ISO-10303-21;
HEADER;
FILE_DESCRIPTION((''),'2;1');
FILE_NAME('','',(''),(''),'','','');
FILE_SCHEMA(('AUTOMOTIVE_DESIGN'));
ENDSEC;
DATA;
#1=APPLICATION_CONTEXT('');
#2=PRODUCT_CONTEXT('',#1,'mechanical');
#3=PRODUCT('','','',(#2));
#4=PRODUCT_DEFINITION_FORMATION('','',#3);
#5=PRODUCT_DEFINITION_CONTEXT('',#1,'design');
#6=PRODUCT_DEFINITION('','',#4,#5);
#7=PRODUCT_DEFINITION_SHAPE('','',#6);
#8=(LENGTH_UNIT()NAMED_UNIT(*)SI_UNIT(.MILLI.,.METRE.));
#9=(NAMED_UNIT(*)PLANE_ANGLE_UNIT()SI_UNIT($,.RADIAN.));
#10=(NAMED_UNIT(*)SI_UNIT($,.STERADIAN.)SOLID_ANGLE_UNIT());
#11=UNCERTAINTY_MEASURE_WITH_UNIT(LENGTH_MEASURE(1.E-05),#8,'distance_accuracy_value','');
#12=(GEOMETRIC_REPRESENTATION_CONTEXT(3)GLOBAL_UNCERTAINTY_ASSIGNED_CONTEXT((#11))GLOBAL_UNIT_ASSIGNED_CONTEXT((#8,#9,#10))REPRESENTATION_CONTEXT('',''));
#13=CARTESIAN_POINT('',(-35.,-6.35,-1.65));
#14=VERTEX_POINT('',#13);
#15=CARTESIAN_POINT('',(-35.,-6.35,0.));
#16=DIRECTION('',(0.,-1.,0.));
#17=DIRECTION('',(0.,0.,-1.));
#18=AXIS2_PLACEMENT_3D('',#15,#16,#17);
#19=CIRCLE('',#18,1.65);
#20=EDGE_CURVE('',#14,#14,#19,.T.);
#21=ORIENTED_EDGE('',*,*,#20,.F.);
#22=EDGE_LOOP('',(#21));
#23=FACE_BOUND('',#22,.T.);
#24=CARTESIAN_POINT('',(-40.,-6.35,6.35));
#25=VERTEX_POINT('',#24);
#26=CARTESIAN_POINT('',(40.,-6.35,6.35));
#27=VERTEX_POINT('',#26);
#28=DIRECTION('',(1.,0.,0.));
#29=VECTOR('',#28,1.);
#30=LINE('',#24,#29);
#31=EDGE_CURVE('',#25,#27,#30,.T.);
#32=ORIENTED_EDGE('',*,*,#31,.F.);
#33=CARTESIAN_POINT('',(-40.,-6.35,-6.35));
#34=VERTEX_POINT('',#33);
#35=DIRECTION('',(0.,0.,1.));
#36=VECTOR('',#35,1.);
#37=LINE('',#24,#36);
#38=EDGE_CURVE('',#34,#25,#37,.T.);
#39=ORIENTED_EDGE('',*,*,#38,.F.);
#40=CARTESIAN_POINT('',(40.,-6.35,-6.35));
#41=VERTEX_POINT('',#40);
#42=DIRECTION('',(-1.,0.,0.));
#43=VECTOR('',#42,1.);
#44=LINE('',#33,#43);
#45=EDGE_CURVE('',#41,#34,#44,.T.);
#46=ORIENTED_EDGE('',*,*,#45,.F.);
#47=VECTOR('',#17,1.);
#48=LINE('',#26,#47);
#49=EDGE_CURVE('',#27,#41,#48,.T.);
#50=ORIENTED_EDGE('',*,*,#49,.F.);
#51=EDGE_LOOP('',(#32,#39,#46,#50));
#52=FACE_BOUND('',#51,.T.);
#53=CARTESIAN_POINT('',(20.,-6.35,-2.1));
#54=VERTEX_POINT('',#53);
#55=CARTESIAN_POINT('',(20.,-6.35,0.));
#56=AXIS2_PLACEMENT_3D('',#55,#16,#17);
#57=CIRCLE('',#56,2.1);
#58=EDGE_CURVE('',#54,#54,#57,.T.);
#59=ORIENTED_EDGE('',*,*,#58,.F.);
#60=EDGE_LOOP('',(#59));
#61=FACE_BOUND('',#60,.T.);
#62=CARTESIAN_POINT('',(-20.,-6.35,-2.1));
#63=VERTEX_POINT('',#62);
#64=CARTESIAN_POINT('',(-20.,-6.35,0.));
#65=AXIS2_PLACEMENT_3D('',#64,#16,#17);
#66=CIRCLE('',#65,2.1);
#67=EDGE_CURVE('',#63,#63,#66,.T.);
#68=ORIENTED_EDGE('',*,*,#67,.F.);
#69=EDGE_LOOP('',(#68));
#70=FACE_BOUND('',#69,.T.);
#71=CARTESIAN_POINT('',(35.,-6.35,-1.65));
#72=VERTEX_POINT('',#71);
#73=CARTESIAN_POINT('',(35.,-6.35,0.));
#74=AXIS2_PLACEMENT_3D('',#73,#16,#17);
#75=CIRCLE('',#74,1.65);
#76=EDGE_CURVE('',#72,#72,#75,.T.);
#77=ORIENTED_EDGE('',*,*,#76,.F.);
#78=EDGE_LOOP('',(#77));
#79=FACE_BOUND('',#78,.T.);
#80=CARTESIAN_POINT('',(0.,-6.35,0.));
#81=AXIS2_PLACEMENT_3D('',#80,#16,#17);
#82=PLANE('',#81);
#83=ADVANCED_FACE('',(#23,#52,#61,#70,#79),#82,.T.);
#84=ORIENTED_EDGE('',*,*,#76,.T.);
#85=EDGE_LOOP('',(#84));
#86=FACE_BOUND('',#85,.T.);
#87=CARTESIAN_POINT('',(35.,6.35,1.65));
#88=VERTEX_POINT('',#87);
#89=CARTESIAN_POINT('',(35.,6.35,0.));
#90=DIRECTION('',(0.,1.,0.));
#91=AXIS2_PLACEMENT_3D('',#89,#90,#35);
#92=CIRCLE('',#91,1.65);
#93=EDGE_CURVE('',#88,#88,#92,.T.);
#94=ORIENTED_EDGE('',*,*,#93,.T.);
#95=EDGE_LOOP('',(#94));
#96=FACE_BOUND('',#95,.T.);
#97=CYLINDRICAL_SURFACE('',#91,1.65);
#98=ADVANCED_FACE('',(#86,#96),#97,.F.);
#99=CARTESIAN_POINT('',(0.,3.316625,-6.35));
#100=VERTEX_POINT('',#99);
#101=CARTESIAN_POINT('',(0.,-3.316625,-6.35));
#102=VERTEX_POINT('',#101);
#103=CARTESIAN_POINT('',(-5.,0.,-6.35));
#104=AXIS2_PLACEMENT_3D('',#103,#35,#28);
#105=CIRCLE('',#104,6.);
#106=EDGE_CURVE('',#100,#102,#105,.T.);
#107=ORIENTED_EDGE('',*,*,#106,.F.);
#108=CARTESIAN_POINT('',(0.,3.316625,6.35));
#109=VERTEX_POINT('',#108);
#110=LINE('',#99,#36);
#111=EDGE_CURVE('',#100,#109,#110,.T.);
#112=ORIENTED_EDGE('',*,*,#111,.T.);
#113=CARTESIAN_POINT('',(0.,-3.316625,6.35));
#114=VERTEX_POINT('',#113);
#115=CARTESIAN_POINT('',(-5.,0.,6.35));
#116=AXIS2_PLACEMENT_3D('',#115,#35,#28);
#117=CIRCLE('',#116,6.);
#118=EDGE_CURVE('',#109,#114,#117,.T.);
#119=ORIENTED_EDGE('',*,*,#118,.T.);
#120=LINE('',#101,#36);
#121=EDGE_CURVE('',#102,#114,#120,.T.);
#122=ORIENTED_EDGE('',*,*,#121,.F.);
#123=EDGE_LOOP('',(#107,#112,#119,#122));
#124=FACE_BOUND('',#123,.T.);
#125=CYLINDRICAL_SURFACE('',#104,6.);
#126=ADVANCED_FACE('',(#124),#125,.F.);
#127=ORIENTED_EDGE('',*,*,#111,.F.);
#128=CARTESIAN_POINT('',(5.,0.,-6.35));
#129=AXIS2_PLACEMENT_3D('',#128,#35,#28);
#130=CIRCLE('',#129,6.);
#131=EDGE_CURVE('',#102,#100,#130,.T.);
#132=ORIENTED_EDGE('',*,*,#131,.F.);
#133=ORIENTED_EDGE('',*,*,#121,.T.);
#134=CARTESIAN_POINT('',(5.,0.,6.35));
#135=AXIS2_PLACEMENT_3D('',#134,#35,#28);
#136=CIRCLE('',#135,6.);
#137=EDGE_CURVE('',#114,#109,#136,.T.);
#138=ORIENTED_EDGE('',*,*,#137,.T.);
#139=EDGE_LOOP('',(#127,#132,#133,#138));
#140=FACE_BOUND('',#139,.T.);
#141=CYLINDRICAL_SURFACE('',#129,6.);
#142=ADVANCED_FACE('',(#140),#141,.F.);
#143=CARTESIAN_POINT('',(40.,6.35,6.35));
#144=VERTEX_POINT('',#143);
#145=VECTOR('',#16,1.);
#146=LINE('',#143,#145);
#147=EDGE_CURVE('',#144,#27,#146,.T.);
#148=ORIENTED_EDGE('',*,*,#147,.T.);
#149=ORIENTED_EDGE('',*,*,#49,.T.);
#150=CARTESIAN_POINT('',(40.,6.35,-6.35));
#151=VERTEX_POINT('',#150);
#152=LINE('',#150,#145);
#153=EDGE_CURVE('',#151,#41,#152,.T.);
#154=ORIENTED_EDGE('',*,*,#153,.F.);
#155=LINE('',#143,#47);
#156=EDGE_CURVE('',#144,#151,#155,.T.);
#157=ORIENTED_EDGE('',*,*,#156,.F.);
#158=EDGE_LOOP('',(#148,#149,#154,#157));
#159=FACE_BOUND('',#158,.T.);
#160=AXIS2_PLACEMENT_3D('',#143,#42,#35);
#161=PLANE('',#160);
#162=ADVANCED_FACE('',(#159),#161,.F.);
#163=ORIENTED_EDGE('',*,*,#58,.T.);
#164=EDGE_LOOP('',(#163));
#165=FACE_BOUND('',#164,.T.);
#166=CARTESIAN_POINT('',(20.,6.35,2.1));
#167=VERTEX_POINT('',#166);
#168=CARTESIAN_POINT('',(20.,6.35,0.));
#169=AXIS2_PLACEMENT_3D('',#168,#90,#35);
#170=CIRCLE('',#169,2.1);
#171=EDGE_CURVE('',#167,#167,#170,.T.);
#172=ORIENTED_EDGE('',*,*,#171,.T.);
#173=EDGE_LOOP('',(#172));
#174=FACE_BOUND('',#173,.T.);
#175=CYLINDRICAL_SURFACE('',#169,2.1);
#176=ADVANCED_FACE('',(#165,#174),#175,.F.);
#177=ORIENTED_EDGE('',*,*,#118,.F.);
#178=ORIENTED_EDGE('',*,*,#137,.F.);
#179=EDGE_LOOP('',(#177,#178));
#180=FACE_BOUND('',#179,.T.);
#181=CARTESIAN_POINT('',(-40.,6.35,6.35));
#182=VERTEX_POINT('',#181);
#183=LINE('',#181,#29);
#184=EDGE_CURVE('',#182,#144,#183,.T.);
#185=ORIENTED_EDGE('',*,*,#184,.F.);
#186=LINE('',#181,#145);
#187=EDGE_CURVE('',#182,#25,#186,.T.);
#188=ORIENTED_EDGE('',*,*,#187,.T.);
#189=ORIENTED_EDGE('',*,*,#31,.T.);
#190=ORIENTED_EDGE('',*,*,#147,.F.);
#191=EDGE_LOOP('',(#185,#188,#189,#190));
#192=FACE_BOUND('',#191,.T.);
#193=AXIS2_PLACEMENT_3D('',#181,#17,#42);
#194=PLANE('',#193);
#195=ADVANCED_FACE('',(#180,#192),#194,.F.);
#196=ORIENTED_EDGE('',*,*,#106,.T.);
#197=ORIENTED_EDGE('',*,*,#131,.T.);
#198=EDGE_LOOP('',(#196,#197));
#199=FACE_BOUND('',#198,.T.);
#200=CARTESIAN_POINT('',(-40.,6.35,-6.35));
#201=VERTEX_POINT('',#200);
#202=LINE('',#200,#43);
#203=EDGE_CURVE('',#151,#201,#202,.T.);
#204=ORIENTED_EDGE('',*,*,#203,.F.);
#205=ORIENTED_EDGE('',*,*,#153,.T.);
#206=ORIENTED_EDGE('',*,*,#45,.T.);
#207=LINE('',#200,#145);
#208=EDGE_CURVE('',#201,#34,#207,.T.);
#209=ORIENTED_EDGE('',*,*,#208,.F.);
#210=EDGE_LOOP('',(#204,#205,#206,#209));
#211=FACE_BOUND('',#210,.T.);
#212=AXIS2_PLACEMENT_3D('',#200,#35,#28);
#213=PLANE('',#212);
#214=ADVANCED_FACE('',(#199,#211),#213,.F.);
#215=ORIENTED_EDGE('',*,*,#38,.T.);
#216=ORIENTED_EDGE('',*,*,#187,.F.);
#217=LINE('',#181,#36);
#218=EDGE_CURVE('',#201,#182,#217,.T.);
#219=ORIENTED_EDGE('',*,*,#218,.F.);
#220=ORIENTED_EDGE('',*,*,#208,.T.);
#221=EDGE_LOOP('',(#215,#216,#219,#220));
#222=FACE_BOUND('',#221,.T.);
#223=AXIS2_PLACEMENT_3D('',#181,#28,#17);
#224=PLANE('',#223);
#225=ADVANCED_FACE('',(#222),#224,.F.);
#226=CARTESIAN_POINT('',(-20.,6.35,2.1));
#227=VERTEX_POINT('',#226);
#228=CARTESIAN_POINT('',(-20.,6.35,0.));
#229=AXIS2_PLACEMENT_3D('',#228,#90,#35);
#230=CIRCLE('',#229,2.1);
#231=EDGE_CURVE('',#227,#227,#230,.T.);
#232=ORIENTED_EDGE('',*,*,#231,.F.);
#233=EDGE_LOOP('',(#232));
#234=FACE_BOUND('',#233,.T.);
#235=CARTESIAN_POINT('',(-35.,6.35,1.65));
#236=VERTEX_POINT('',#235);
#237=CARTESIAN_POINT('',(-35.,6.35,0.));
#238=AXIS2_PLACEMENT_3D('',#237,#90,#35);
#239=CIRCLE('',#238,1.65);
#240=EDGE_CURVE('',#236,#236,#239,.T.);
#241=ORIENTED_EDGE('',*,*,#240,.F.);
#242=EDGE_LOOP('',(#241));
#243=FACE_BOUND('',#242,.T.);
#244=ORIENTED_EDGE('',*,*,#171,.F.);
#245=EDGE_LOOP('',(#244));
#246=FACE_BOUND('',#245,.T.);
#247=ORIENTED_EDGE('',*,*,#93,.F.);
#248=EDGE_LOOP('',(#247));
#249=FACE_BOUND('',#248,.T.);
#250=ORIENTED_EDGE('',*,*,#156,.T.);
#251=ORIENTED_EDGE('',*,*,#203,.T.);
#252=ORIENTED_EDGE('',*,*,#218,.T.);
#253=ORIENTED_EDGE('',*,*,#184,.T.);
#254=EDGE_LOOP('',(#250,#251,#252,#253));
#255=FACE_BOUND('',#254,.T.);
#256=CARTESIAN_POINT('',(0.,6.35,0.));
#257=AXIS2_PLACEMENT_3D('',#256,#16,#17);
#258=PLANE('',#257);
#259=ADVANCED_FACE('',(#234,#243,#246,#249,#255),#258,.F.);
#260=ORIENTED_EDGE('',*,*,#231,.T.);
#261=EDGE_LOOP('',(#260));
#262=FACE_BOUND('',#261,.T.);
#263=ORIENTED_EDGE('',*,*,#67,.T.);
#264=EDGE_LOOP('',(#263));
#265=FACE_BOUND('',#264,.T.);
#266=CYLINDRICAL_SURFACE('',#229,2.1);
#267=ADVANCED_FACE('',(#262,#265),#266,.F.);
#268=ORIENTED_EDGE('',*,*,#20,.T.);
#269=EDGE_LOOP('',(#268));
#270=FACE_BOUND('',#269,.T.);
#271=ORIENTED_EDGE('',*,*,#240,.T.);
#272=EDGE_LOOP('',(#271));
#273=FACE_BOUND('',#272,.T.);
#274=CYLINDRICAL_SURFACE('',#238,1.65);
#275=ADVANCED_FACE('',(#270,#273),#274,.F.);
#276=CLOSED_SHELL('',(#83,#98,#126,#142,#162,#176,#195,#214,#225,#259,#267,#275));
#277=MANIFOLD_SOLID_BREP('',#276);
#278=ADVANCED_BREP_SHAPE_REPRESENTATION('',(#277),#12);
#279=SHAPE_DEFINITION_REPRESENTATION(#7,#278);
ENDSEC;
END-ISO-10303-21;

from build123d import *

# Parameters (mm, degrees)
SKETCH1_W                 = 80
SKETCH1_H                 = 12.7
BOSS_EXTRUDE1_DEPTH       = 6.35
SKETCH2_R                 = 6
CUT_EXTRUDE1_DEPTH        = 13.7
M4X0_7_TAPPED_HOLE2_D     = 3.3
M4X0_7_TAPPED_HOLE2_DEPTH = 12.7
M5X0_8_TAPPED_HOLE2_D     = 4.2
M5X0_8_TAPPED_HOLE2_DEPTH = 12.7


with BuildPart() as part:
    # Sketch1 → Boss-Extrude1 (new body, symmetric)
    with BuildSketch(Plane(origin=(0, 0, 0), x_dir=(1, 0, 0), z_dir=(0, 1, 0))):
        Rectangle(SKETCH1_W, SKETCH1_H)
    extrude(amount=BOSS_EXTRUDE1_DEPTH, both=True)

    # Sketch2 → Cut-Extrude1 (cut, through all)
    with BuildSketch(Plane.XY.offset(6.35)):
        with Locations((-5, 0)):
            Circle(SKETCH2_R)
        with Locations((5, 0)):
            Circle(SKETCH2_R)
    extrude(amount=-CUT_EXTRUDE1_DEPTH, mode=Mode.SUBTRACT)

    # M4x0.7 Tapped Hole2
    with Locations(Plane(origin=(0, 6.35, 0), x_dir=(1, 0, 0), z_dir=(0, 1, 0))):
        with Locations((-35, 0), (35, 0)):
            Hole(M4X0_7_TAPPED_HOLE2_D / 2, depth=M4X0_7_TAPPED_HOLE2_DEPTH)

    # M5x0.8 Tapped Hole2
    with Locations(Plane(origin=(0, 6.35, 0), x_dir=(1, 0, 0), z_dir=(0, 1, 0))):
        with Locations((20, 0), (-20, 0)):
            Hole(M5X0_8_TAPPED_HOLE2_D / 2, depth=M5X0_8_TAPPED_HOLE2_DEPTH)


solid = part.part
